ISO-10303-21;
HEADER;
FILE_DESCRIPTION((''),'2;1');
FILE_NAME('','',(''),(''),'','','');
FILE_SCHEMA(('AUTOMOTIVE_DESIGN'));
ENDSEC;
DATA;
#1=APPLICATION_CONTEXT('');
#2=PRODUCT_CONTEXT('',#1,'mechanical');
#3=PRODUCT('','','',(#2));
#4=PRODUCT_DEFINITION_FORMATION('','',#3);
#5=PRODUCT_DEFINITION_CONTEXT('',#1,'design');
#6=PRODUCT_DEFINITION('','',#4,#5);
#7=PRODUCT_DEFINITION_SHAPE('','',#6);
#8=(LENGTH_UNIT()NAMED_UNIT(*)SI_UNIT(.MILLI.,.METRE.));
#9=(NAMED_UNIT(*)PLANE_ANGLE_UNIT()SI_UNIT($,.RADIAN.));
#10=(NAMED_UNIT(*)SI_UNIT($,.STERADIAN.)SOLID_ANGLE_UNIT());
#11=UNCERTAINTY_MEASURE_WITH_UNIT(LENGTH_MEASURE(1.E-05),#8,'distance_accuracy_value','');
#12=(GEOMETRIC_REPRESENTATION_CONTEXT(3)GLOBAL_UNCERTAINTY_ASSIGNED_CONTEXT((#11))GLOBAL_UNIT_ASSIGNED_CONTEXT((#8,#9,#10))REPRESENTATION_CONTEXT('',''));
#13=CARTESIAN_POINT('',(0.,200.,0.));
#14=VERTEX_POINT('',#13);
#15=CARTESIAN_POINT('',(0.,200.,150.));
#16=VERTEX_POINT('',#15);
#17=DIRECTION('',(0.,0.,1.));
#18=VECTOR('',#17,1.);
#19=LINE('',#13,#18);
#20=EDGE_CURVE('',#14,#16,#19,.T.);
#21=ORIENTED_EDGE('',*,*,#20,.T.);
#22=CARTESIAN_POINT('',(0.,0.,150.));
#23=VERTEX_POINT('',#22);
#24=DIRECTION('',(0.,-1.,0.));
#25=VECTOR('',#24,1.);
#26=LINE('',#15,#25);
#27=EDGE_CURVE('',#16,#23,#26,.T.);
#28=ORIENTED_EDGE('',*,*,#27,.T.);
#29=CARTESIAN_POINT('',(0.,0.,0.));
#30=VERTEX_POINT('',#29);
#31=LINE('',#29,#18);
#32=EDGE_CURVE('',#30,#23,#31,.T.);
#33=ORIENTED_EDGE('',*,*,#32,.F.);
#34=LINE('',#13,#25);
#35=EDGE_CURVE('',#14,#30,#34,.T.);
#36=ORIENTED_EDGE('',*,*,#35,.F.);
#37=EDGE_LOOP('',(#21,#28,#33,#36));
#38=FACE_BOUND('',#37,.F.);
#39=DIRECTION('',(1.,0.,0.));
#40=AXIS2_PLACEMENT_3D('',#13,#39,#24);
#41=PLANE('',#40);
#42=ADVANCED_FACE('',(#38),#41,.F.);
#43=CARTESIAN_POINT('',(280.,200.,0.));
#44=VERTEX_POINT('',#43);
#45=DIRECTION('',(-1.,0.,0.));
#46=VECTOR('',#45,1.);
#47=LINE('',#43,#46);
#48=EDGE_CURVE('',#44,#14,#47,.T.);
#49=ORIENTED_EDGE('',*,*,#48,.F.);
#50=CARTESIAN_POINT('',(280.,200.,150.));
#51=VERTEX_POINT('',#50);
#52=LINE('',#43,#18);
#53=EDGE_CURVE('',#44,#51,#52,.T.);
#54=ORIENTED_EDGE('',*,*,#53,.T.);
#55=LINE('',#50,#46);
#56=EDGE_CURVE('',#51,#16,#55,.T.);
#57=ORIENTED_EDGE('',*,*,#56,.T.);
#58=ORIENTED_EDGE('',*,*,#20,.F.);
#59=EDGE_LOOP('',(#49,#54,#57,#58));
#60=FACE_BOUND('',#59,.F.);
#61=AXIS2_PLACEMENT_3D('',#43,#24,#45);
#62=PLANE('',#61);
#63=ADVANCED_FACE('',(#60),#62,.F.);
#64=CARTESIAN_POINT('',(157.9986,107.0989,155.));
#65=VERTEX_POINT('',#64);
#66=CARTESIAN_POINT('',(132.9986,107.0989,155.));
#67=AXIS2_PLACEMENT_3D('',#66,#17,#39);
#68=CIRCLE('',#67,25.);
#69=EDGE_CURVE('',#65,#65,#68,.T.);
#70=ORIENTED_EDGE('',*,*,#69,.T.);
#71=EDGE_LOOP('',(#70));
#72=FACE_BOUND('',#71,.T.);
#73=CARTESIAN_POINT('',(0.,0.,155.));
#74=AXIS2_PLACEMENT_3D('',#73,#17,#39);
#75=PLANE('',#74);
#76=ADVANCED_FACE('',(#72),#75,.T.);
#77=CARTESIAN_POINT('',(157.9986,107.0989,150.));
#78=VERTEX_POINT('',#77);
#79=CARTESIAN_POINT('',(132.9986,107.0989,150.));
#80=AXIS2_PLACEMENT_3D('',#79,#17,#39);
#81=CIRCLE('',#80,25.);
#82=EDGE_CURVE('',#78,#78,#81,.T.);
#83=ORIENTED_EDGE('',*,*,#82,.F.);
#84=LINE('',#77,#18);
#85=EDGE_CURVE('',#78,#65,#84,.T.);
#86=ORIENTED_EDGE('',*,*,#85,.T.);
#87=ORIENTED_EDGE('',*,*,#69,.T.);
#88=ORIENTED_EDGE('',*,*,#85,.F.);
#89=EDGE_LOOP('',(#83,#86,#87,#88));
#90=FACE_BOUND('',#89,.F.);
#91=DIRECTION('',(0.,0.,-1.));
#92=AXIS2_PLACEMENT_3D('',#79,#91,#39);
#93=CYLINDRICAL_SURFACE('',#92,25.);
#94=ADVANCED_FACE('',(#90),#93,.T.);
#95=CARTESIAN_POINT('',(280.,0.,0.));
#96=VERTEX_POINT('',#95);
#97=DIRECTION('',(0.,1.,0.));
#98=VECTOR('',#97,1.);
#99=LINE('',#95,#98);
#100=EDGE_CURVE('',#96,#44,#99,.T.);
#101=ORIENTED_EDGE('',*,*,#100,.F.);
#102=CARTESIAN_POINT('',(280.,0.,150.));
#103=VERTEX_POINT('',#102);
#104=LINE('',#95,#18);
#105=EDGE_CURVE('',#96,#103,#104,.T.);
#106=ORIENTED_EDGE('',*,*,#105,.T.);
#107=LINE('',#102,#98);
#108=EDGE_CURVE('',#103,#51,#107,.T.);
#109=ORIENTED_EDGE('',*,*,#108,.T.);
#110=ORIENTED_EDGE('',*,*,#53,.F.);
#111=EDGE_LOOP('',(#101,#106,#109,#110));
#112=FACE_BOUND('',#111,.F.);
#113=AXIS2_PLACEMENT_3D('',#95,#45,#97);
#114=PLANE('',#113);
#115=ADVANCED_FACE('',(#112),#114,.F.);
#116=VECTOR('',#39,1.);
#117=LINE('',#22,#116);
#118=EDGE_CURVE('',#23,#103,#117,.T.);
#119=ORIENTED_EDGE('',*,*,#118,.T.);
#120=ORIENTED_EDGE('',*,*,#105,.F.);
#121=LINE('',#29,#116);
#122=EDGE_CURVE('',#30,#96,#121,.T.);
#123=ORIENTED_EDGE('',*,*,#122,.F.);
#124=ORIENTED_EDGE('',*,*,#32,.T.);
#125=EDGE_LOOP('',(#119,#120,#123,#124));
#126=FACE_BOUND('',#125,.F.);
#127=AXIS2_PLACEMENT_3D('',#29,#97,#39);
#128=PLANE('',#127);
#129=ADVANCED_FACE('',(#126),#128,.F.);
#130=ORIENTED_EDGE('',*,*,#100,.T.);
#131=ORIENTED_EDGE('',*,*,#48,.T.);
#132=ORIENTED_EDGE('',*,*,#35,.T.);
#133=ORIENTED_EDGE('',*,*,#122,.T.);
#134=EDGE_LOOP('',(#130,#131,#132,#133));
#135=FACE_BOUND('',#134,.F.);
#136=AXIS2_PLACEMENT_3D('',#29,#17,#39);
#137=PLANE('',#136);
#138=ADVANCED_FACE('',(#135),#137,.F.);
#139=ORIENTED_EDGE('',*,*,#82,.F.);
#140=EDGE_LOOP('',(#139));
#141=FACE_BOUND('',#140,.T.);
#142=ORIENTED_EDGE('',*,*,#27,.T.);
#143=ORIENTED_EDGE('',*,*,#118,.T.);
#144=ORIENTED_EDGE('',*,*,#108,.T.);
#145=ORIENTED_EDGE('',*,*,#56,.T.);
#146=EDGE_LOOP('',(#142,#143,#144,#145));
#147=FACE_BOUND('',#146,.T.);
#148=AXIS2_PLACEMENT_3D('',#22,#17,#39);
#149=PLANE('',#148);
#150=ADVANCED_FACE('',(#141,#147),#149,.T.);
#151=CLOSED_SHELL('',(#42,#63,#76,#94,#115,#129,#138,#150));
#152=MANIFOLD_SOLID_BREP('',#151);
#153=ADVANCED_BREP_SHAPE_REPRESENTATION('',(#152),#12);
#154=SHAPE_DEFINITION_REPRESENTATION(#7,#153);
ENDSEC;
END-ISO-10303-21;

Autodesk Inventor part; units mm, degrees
ref_plane "YZ Plane" through (0, 0, 0) normal (1, 0, 0) x (0, 1, 0)
ref_plane "XZ Plane" through (0, 0, 0) normal (0, 1, 0) x (-1, 0, 0)
ref_plane "XY Plane" through (0, 0, 0) normal (0, 0, 1) x (1, 0, 0)
sketch "Sketch2" plane through (0, 0, 0) normal (0, 0, 1) x (1, 0, 0)
  point P0 (0, 0)
sketch "Sketch3" plane through (0, 0, 0) normal (0, 0, 1) x (1, 0, 0)
  line L0 (0, 0) -> (280, 0)
  line L1 (280, 0) -> (280, 200)
  line L2 (280, 200) -> (0, 200)
  line L3 (0, 200) -> (0, 0)
  dimension "d0" = 280
  dimension "d1" = 200
extrude "Extrusion1" add sketch "Sketch3" along normal blind 150
sketch "Sketch4" plane through (0, 0, 150) normal (0, 0, 1) x (1, 0, 0)
  circle A0 centre (132.9986, 107.0989) radius 25
  point P0 (0, 0)
  dimension "d4" = 50
extrude "Extrusion2" add sketch "Sketch4" along normal blind 5
properties part number "Sensor"
